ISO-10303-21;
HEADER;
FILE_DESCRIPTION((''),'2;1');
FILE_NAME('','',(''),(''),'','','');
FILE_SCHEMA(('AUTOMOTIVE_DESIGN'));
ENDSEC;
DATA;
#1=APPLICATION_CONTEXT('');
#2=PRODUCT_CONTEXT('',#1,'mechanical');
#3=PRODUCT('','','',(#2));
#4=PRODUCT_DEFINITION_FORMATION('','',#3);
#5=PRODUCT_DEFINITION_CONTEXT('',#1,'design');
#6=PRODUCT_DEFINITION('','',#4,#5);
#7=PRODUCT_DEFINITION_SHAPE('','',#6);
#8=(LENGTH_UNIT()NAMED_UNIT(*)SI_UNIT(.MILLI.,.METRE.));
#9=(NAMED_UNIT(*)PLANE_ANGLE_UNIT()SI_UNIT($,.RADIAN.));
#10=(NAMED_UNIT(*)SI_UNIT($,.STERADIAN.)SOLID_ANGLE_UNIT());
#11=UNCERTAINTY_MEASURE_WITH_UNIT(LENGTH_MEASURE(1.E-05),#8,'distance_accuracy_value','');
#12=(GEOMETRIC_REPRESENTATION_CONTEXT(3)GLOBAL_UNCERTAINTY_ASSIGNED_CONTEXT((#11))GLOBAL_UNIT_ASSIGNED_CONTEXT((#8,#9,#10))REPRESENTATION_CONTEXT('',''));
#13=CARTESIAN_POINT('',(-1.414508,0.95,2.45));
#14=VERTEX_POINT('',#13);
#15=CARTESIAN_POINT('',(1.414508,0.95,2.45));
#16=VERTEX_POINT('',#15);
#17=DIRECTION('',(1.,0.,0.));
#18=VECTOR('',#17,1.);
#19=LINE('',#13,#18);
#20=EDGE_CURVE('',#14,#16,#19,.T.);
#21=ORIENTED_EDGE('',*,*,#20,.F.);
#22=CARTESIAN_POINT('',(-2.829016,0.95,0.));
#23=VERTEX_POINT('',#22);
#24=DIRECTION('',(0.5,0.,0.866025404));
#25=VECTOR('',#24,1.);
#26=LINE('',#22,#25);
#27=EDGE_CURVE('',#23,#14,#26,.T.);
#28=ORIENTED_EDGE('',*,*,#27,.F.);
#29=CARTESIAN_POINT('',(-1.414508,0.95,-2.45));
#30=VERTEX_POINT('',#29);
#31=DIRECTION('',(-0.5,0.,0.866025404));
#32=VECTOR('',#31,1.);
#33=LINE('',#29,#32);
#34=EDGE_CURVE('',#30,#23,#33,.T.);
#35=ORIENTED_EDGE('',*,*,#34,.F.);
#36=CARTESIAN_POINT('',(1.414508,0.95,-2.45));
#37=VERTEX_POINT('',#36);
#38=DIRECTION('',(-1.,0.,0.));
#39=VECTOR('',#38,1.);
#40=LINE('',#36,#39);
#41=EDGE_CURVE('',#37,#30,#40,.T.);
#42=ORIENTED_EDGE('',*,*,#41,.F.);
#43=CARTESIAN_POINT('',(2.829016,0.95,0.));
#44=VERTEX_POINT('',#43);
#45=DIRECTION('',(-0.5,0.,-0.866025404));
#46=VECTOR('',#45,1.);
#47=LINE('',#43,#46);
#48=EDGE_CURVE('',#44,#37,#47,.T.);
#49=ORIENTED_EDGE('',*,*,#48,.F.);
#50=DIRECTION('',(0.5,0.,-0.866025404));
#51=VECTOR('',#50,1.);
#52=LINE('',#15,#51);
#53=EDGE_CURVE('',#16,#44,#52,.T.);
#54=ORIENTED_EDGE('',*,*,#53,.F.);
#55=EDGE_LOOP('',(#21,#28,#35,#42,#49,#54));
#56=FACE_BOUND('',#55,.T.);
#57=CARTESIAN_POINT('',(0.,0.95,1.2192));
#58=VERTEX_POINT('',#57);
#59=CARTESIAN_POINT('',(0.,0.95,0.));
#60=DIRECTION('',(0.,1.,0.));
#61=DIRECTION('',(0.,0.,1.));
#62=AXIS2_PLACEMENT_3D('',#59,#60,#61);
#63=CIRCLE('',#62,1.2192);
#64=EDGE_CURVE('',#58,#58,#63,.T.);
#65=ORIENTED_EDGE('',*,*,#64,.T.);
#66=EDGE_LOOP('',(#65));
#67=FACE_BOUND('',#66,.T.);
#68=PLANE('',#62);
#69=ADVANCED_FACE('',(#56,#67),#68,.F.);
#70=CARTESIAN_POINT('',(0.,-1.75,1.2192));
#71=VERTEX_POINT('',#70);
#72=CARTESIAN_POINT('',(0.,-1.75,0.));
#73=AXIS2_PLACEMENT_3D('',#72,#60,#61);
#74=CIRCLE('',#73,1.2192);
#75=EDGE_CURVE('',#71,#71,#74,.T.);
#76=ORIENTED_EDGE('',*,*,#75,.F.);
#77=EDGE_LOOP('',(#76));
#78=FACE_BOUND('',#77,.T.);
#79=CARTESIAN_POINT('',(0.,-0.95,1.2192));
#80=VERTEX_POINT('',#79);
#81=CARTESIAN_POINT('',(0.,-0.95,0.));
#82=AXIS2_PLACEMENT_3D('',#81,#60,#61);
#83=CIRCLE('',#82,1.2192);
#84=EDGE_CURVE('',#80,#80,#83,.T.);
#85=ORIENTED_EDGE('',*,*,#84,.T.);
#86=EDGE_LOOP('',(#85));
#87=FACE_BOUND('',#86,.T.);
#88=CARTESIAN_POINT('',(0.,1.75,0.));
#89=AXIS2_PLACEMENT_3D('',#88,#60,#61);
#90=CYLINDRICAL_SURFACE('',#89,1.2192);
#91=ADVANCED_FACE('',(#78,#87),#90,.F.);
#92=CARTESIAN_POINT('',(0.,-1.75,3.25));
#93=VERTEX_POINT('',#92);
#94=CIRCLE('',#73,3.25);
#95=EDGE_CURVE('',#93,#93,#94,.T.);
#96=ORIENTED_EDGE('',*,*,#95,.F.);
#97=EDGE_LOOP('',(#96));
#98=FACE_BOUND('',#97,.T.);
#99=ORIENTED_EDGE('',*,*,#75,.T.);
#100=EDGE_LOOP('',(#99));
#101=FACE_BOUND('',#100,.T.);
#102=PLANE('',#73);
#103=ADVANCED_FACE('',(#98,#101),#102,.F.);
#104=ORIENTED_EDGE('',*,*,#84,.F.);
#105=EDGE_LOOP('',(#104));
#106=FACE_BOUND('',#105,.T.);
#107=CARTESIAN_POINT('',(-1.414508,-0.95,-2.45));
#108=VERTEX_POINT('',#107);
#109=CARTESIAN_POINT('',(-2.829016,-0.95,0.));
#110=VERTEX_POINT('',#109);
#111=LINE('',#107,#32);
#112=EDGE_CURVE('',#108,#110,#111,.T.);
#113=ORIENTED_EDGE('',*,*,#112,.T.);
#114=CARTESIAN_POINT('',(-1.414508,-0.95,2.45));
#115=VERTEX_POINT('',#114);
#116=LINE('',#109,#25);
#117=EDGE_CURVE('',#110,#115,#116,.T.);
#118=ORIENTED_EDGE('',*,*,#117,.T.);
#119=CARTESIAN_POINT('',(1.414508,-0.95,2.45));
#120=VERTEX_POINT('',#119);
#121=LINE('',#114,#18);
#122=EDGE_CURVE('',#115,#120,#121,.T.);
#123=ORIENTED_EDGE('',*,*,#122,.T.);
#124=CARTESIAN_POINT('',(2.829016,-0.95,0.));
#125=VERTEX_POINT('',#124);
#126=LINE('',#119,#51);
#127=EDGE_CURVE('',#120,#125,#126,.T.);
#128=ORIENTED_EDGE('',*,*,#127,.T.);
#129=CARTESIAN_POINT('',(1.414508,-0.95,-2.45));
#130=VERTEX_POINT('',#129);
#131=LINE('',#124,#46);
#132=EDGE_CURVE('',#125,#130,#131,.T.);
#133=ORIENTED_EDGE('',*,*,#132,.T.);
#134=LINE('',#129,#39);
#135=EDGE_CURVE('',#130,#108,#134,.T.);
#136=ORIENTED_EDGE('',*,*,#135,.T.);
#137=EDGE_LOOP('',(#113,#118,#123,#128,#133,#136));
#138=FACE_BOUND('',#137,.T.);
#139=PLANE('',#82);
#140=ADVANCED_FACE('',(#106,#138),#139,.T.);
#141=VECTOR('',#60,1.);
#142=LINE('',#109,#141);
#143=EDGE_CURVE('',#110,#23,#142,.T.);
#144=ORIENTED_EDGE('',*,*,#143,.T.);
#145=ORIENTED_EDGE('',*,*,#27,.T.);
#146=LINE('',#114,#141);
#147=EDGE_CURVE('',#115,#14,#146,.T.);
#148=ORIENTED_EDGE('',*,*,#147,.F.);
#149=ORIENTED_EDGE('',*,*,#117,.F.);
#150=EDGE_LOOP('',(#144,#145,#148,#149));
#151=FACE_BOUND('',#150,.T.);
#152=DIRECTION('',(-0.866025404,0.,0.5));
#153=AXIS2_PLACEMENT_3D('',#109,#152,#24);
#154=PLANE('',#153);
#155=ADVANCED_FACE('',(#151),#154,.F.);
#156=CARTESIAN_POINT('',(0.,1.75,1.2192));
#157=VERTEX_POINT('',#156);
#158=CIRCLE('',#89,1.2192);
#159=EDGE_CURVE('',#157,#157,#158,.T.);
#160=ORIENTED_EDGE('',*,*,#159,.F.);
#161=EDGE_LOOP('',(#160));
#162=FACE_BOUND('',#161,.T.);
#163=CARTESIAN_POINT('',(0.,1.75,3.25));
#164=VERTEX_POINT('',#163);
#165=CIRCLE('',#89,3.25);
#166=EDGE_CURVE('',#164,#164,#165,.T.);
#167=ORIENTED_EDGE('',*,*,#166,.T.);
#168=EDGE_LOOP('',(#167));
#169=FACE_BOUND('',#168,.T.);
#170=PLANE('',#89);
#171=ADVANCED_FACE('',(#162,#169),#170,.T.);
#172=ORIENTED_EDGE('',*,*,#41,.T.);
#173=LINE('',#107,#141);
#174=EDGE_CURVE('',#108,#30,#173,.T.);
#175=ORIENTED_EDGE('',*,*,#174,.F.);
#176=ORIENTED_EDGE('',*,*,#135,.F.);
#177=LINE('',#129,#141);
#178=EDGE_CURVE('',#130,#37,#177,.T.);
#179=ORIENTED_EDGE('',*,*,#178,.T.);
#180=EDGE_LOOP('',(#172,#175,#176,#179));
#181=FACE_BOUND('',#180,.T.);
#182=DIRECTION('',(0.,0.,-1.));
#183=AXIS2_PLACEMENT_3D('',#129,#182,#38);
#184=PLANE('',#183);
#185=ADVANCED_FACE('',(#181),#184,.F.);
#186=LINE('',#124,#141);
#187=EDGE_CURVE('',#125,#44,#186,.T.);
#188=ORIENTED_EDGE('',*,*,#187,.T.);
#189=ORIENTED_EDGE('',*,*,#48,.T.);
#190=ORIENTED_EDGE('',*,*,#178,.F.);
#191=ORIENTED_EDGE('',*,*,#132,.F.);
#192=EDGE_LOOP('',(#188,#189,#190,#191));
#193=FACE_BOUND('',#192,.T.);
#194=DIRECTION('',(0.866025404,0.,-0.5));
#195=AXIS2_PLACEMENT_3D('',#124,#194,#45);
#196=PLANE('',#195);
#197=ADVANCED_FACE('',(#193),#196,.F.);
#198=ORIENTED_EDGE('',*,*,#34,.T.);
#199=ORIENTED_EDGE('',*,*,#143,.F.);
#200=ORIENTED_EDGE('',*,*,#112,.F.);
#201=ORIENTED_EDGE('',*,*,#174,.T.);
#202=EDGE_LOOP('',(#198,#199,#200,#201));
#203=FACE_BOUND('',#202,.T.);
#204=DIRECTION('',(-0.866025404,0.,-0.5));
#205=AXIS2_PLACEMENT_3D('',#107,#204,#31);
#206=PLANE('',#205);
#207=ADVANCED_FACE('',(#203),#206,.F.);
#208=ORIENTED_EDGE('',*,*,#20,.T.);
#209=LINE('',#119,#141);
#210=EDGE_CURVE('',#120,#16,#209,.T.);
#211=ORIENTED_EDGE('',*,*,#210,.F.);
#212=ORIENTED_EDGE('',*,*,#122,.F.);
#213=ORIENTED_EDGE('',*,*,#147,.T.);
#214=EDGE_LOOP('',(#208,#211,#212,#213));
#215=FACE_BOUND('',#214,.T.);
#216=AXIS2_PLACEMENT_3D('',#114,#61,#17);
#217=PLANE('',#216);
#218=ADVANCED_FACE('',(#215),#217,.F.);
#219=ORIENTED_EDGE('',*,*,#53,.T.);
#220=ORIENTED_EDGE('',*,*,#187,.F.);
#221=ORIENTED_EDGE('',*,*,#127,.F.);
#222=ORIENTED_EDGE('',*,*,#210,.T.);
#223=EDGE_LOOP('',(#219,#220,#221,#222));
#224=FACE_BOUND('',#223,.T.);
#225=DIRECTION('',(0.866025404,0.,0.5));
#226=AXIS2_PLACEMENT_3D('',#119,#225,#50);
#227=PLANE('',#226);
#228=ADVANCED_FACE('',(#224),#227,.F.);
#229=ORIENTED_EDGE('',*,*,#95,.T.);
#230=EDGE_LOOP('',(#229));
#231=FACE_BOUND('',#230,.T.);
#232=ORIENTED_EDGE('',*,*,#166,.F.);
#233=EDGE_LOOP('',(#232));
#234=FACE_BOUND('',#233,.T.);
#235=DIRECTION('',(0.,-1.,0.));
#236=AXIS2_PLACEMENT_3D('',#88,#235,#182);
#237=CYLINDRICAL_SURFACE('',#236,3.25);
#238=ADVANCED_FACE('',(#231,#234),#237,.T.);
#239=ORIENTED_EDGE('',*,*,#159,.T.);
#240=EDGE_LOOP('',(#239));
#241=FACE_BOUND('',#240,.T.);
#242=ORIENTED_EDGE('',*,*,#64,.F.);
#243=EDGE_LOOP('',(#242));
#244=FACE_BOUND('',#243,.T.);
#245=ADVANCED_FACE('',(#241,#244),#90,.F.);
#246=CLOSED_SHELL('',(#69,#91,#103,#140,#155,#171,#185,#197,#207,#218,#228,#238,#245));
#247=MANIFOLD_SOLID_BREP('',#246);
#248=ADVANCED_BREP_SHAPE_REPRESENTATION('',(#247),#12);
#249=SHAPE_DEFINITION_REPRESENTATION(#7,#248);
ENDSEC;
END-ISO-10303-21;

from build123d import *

# Parameters (mm, degrees)
SKETCH1_R             = 3.25
BOSS_EXTRUDE1_DEPTH   = 1.75
CUT_EXTRUDE1_DEPTH    = 0.95
F_2_CLEARANCE_HOLE1_D = 2.4384


with BuildPart() as part:
    # Sketch1 → Boss-Extrude1 (new, symmetric)
    with BuildSketch(Plane(origin=(0, 0, 0), x_dir=(1, 0, 0), z_dir=(0, 1, 0))):
        with Locations(Location((0, 0, 0), (0, 0, 270))):
            Circle(SKETCH1_R)
    extrude(amount=BOSS_EXTRUDE1_DEPTH, both=True)

    # Sketch2 → Cut-Extrude1 (cut, symmetric)
    with BuildSketch(Plane(origin=(0, 0, 0), x_dir=(1, 0, 0), z_dir=(0, 1, 0))):
        Polygon((2.829016319, 0), (1.41450816, 2.45), (-1.41450816, 2.45), (-2.829016319, 0), (-1.41450816, -2.45), (1.41450816, -2.45), align=None)
    extrude(amount=CUT_EXTRUDE1_DEPTH, both=True, mode=Mode.SUBTRACT)

    # #2 Clearance Hole1 (through all)
    with Locations(Plane(origin=(0, 1.75, 0), x_dir=(1, 0, 0), z_dir=(0, 1, 0))):
        with Locations((0, 0)):
            Hole(F_2_CLEARANCE_HOLE1_D / 2)


solid = part.part
